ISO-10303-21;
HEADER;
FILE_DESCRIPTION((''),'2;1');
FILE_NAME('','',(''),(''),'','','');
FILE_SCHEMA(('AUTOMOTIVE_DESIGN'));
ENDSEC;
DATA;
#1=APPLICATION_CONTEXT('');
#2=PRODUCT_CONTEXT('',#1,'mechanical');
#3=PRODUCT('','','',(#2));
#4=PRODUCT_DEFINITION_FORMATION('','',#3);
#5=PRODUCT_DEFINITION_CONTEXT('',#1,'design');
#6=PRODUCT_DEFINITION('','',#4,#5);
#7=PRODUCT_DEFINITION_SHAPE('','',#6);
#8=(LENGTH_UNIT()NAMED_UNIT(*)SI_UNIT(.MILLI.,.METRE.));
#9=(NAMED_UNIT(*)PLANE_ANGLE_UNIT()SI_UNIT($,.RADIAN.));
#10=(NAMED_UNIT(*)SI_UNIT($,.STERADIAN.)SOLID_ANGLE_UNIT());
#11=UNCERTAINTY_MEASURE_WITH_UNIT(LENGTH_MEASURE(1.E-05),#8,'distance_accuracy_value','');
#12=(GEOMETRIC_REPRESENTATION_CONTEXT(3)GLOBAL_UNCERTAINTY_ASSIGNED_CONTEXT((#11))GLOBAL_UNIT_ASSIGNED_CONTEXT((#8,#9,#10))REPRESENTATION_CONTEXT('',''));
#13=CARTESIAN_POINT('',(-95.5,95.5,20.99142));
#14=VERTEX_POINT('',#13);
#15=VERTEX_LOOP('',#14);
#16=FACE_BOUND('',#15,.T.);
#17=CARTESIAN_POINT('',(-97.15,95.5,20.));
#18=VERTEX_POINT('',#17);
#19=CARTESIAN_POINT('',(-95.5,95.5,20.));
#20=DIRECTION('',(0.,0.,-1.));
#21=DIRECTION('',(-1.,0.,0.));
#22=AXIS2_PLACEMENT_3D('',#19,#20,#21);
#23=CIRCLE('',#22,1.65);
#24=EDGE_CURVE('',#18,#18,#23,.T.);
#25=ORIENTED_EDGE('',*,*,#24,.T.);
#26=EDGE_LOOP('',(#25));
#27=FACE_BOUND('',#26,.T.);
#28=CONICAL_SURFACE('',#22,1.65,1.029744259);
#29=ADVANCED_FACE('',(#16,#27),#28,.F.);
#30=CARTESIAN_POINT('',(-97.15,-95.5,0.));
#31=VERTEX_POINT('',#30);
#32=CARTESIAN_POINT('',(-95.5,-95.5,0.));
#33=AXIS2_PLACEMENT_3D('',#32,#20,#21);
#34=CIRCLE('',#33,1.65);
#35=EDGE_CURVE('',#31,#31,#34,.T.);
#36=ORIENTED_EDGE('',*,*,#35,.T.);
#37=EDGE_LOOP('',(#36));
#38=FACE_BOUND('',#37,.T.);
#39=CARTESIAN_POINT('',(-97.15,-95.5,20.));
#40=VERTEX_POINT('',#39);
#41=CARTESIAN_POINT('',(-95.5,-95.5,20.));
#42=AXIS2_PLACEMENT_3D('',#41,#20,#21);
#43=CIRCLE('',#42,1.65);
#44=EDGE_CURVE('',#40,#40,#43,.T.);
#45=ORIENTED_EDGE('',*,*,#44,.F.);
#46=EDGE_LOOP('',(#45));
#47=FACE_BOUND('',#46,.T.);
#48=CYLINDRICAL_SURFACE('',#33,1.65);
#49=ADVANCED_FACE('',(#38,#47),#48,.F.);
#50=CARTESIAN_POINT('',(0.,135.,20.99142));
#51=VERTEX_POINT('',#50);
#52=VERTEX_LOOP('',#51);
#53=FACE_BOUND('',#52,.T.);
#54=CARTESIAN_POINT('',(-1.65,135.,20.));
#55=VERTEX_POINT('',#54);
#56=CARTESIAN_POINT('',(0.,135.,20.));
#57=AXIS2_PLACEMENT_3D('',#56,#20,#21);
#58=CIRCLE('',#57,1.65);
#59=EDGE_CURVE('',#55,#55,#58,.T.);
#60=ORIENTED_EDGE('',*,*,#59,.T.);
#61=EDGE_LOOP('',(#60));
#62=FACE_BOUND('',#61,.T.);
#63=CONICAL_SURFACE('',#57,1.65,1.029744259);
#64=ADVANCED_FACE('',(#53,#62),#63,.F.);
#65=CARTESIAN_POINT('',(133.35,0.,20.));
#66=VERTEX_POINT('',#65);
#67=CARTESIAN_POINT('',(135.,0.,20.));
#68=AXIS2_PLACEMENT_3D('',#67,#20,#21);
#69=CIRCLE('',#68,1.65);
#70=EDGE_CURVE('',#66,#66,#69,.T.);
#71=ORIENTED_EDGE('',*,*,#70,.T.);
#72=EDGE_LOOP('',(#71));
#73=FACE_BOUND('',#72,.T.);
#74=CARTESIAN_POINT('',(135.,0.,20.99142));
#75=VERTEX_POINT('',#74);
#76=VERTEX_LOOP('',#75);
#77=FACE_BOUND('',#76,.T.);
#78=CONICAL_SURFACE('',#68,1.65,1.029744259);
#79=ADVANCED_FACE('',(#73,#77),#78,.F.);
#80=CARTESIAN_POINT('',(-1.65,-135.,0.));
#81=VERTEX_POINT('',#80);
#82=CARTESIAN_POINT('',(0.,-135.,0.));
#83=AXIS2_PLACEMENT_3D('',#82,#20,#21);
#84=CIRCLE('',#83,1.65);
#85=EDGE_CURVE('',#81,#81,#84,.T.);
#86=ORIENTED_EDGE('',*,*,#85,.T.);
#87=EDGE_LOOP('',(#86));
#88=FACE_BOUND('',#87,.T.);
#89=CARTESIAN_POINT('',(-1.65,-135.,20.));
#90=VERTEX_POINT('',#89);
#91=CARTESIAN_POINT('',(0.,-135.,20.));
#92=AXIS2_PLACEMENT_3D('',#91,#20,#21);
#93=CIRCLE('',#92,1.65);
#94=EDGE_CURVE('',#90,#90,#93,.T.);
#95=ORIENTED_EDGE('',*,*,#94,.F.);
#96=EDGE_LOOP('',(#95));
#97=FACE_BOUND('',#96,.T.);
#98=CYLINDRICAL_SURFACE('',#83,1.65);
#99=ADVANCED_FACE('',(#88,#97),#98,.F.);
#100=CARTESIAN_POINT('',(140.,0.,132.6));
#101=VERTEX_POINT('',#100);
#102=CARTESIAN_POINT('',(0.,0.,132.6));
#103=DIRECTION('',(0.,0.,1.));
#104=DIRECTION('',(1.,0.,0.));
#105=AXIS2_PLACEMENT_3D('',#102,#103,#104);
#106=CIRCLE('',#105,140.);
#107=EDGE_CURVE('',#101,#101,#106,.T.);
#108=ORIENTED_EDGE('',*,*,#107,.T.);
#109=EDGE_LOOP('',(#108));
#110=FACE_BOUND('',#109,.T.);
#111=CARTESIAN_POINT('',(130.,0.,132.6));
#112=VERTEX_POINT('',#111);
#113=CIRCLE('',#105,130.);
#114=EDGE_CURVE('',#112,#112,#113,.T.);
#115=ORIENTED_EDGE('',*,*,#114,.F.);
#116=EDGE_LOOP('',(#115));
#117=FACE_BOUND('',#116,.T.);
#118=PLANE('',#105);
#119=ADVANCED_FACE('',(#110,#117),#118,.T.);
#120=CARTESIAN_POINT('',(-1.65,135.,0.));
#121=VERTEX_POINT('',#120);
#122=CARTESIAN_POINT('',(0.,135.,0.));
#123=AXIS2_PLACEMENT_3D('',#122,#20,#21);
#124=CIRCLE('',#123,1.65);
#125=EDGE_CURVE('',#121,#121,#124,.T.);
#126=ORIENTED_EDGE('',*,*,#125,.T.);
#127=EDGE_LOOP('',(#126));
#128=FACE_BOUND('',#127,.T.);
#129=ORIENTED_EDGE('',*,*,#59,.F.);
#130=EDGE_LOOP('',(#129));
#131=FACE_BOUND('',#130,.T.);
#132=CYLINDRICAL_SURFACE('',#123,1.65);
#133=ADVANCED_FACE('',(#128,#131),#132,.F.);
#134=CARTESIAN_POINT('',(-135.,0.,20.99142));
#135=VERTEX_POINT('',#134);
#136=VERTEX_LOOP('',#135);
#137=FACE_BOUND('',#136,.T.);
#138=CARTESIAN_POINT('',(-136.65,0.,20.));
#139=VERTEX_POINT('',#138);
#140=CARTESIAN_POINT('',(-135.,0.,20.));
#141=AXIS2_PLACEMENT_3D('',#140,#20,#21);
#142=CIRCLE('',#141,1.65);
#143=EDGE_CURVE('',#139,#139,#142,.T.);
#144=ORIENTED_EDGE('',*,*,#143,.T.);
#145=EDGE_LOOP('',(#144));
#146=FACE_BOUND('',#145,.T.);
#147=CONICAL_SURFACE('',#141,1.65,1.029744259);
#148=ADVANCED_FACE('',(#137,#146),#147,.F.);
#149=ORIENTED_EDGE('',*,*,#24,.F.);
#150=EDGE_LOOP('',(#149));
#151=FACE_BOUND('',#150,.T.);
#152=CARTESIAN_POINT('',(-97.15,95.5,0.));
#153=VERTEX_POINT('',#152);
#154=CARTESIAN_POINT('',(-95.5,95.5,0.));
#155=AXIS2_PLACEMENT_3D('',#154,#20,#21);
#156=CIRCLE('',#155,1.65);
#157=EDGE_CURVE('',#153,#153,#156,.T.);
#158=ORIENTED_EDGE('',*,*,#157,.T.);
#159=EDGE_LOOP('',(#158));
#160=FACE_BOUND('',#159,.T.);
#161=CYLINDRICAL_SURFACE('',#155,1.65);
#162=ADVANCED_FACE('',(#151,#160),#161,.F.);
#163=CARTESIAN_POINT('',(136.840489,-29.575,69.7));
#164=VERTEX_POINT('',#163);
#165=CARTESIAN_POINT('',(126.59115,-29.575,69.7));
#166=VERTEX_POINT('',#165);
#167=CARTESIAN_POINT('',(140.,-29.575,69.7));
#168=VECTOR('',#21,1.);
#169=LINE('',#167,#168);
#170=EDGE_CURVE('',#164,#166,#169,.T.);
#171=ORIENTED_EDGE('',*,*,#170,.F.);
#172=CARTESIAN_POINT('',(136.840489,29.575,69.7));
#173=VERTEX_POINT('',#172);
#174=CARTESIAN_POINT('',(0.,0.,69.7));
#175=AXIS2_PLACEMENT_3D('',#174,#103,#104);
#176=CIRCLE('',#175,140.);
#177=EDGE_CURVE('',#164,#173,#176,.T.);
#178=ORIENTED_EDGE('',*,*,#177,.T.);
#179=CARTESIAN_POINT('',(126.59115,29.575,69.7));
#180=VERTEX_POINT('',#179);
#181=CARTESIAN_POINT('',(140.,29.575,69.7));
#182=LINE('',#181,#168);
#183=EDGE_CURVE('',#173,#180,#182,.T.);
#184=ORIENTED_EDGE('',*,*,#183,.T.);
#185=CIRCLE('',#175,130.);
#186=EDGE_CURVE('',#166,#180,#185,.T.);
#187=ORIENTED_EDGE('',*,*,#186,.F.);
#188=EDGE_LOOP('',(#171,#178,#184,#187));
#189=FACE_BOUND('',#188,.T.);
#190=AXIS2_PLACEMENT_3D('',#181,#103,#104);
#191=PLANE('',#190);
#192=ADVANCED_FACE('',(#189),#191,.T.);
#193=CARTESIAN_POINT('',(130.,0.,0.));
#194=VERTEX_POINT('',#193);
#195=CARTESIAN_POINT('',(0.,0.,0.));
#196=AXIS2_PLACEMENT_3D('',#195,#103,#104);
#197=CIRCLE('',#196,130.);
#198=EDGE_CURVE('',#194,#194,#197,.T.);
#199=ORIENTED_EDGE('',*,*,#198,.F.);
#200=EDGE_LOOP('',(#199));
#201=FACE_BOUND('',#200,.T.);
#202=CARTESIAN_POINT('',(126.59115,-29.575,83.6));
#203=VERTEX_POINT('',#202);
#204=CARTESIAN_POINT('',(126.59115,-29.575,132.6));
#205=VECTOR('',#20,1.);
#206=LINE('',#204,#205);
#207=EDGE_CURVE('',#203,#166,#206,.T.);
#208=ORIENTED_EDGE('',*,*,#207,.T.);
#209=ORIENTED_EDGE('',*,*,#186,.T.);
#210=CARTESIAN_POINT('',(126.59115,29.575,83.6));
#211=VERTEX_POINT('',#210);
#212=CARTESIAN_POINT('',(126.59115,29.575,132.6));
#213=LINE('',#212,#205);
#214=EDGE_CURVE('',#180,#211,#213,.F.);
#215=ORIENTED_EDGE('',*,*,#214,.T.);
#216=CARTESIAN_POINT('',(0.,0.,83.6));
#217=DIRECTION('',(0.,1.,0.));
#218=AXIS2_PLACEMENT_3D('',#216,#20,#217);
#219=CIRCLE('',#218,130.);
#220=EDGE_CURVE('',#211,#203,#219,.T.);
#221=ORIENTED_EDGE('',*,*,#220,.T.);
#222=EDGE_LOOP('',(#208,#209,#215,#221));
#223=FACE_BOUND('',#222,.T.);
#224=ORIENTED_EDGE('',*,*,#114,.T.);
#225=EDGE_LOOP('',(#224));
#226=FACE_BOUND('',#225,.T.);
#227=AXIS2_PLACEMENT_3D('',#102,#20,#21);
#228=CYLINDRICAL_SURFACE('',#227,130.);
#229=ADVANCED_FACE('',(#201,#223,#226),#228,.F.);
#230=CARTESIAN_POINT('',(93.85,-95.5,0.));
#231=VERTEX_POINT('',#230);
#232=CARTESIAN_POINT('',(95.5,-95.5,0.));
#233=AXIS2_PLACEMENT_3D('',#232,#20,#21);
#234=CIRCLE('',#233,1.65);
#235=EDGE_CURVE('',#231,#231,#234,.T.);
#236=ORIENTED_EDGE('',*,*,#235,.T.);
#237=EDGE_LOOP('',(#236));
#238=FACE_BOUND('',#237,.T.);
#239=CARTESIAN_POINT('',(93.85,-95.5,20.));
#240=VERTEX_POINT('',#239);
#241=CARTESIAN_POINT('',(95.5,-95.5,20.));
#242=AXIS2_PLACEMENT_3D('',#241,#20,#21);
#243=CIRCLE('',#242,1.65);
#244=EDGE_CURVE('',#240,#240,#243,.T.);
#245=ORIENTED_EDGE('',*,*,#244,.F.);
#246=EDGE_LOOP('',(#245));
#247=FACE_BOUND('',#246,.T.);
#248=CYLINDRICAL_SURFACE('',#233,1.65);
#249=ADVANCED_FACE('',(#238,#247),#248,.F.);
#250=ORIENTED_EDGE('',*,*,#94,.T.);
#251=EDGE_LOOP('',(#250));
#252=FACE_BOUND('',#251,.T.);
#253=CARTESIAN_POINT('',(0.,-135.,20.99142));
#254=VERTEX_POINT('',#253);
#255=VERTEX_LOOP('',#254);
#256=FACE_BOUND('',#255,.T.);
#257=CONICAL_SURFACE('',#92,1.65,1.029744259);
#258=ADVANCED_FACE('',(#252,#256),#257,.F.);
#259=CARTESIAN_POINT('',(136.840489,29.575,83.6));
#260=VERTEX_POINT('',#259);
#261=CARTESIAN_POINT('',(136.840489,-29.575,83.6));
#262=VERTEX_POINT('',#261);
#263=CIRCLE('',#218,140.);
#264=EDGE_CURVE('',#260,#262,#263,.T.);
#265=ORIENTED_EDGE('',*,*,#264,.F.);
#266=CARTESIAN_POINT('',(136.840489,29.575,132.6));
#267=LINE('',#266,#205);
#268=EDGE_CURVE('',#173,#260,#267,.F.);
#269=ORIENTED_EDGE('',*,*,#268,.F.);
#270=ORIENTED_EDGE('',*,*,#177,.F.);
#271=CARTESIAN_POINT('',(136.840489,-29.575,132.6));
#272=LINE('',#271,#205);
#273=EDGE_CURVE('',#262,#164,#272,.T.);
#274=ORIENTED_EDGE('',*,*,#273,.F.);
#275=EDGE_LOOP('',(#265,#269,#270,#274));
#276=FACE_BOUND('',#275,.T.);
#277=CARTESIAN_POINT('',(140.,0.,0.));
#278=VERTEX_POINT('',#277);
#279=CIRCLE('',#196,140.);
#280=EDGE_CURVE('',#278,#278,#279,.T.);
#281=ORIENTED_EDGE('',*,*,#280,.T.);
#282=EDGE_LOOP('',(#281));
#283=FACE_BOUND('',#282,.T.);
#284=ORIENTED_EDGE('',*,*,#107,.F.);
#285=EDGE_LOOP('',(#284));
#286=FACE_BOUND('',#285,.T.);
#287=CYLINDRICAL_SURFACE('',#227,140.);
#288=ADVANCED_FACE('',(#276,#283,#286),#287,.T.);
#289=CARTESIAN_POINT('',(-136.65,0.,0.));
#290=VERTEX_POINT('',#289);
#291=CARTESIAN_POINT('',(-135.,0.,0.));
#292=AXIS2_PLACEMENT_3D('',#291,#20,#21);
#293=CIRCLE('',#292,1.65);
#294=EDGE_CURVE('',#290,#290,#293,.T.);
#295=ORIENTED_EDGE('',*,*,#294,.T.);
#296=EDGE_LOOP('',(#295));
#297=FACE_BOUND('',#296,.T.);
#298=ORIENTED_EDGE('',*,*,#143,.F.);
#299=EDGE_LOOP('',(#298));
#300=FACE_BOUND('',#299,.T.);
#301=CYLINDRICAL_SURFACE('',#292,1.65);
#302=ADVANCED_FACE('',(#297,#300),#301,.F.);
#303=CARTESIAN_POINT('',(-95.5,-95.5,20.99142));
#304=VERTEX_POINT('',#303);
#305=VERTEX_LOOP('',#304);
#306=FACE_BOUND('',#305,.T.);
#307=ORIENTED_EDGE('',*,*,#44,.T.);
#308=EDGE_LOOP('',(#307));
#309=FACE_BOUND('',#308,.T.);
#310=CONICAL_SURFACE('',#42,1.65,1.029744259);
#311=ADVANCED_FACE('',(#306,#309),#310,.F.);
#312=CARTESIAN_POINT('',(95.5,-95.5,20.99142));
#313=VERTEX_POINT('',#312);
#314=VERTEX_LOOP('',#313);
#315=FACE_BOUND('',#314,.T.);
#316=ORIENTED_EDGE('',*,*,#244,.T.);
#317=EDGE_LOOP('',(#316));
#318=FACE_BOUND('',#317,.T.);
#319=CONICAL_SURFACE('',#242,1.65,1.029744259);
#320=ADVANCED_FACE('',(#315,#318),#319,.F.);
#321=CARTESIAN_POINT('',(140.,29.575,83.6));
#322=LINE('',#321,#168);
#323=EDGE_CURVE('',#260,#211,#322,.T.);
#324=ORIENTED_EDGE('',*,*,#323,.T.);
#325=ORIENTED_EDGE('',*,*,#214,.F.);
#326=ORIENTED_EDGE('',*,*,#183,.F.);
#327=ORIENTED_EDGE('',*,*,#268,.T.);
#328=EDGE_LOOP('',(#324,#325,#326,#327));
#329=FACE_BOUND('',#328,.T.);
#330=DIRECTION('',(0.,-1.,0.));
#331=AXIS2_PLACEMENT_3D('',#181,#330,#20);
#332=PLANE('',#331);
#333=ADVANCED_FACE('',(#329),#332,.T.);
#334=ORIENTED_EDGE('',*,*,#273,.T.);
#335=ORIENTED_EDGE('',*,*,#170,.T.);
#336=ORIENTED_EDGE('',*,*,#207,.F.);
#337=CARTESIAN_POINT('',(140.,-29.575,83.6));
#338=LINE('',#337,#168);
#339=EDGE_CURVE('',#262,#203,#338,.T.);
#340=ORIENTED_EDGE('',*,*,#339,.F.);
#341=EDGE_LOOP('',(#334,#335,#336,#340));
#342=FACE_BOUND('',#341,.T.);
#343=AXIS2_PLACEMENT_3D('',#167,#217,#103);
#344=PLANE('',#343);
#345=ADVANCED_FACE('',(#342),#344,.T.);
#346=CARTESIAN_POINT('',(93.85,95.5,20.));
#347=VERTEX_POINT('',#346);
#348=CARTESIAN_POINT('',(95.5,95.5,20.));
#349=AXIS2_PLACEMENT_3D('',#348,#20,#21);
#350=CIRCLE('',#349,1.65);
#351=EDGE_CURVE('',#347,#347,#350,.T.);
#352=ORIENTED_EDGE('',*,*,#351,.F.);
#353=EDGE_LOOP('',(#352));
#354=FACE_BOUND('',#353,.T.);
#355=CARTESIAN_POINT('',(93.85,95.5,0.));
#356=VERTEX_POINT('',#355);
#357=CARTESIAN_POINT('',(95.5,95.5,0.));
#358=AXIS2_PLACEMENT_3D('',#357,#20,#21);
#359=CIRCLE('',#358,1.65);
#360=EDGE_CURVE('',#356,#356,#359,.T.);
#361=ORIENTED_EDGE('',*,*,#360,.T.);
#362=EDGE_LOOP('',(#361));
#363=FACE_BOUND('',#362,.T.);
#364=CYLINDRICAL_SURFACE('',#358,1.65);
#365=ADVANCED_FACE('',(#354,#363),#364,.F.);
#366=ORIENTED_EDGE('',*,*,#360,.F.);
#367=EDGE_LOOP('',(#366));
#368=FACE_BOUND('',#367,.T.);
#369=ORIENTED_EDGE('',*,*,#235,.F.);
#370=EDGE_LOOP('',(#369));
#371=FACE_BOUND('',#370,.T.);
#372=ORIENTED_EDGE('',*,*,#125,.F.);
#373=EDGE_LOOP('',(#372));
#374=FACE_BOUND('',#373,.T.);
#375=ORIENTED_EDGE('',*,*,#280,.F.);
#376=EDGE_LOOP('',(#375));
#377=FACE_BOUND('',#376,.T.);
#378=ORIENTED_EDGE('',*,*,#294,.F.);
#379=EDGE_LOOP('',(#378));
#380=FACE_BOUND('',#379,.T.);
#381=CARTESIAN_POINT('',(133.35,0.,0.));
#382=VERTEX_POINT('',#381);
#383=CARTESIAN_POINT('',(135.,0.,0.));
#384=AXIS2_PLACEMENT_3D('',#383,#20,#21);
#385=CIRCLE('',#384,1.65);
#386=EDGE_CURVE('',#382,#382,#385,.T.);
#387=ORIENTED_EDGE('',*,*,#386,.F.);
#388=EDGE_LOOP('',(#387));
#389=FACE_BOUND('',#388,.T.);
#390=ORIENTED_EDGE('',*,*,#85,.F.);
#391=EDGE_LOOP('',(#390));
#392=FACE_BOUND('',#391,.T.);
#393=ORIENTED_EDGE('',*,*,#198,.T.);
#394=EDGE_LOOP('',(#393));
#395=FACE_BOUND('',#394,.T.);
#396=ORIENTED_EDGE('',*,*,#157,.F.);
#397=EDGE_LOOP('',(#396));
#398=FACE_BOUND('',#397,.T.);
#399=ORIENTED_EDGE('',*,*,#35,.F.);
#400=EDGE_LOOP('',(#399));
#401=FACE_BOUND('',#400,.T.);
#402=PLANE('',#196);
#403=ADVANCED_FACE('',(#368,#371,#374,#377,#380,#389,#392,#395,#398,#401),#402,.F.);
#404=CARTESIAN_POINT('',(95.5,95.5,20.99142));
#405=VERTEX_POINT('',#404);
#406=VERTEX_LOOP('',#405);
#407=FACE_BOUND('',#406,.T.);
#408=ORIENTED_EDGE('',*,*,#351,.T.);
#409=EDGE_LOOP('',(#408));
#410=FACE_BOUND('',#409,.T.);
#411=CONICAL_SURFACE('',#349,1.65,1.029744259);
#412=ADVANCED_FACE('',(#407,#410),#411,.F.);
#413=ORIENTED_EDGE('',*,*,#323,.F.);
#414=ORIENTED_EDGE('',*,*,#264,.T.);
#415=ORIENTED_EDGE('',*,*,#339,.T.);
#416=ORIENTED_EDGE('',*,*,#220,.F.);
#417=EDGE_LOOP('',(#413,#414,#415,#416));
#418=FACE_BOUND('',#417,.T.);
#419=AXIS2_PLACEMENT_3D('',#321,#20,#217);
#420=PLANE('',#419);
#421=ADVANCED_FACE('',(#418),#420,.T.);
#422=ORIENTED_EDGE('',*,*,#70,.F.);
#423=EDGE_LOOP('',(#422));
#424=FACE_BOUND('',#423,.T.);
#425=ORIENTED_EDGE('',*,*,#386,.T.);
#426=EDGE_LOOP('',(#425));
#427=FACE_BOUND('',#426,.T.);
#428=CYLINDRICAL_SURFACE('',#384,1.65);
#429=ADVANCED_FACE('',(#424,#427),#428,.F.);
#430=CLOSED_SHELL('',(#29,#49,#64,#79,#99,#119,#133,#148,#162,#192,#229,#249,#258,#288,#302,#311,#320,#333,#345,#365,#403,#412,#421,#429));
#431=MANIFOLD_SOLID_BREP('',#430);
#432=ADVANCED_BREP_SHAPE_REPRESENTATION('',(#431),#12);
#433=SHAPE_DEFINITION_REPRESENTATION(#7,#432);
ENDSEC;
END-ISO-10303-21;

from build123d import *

# Parameters (mm, degrees)
SKETCH1_R                 = 140
SKETCH1_R_2               = 130
BOSS_EXTRUDE1_DEPTH       = 132.6
M4X0_7_TAPPED_HOLE1_D     = 3.3
M4X0_7_TAPPED_HOLE1_DEPTH = 20
M4X0_7_TAPPED_HOLE1_TIP   = 0.991420021
SKETCH5_W                 = 13.9
SKETCH5_H                 = 59.15
CUT_EXTRUDE1_DEPTH        = 140


with BuildPart() as part:
    # Sketch1 → Boss-Extrude1 (new body)
    with BuildSketch(Plane.XY):
        Circle(SKETCH1_R)
        Circle(SKETCH1_R_2, mode=Mode.SUBTRACT)
    extrude(amount=BOSS_EXTRUDE1_DEPTH)

    # M4x0.7 Tapped Hole1
    with Locations(Plane(origin=(0, 0, 0), x_dir=(-1, 0, 0), z_dir=(0, 0, -1))):
        with Locations((0, 135), (135, 0), (95.5, 95.5), (95.5, -95.5), (0, -135), (-95.5, -95.5), (-135, 0), (-95.5, 95.5)):
            Hole(M4X0_7_TAPPED_HOLE1_D / 2, depth=M4X0_7_TAPPED_HOLE1_DEPTH)
            with Locations((0, 0, -(M4X0_7_TAPPED_HOLE1_DEPTH + M4X0_7_TAPPED_HOLE1_TIP / 2))):  # 118° drill point
                Cone(0, M4X0_7_TAPPED_HOLE1_D / 2, M4X0_7_TAPPED_HOLE1_TIP, mode=Mode.SUBTRACT)

    # Sketch5 → Cut-Extrude1 (cut)
    with BuildSketch(Plane(origin=(0, 0, 0), x_dir=(0, 0, -1), z_dir=(1, 0, 0))):
        with Locations((-76.65, 0)):
            Rectangle(SKETCH5_W, SKETCH5_H)
    extrude(amount=CUT_EXTRUDE1_DEPTH, mode=Mode.SUBTRACT)


solid = part.part
